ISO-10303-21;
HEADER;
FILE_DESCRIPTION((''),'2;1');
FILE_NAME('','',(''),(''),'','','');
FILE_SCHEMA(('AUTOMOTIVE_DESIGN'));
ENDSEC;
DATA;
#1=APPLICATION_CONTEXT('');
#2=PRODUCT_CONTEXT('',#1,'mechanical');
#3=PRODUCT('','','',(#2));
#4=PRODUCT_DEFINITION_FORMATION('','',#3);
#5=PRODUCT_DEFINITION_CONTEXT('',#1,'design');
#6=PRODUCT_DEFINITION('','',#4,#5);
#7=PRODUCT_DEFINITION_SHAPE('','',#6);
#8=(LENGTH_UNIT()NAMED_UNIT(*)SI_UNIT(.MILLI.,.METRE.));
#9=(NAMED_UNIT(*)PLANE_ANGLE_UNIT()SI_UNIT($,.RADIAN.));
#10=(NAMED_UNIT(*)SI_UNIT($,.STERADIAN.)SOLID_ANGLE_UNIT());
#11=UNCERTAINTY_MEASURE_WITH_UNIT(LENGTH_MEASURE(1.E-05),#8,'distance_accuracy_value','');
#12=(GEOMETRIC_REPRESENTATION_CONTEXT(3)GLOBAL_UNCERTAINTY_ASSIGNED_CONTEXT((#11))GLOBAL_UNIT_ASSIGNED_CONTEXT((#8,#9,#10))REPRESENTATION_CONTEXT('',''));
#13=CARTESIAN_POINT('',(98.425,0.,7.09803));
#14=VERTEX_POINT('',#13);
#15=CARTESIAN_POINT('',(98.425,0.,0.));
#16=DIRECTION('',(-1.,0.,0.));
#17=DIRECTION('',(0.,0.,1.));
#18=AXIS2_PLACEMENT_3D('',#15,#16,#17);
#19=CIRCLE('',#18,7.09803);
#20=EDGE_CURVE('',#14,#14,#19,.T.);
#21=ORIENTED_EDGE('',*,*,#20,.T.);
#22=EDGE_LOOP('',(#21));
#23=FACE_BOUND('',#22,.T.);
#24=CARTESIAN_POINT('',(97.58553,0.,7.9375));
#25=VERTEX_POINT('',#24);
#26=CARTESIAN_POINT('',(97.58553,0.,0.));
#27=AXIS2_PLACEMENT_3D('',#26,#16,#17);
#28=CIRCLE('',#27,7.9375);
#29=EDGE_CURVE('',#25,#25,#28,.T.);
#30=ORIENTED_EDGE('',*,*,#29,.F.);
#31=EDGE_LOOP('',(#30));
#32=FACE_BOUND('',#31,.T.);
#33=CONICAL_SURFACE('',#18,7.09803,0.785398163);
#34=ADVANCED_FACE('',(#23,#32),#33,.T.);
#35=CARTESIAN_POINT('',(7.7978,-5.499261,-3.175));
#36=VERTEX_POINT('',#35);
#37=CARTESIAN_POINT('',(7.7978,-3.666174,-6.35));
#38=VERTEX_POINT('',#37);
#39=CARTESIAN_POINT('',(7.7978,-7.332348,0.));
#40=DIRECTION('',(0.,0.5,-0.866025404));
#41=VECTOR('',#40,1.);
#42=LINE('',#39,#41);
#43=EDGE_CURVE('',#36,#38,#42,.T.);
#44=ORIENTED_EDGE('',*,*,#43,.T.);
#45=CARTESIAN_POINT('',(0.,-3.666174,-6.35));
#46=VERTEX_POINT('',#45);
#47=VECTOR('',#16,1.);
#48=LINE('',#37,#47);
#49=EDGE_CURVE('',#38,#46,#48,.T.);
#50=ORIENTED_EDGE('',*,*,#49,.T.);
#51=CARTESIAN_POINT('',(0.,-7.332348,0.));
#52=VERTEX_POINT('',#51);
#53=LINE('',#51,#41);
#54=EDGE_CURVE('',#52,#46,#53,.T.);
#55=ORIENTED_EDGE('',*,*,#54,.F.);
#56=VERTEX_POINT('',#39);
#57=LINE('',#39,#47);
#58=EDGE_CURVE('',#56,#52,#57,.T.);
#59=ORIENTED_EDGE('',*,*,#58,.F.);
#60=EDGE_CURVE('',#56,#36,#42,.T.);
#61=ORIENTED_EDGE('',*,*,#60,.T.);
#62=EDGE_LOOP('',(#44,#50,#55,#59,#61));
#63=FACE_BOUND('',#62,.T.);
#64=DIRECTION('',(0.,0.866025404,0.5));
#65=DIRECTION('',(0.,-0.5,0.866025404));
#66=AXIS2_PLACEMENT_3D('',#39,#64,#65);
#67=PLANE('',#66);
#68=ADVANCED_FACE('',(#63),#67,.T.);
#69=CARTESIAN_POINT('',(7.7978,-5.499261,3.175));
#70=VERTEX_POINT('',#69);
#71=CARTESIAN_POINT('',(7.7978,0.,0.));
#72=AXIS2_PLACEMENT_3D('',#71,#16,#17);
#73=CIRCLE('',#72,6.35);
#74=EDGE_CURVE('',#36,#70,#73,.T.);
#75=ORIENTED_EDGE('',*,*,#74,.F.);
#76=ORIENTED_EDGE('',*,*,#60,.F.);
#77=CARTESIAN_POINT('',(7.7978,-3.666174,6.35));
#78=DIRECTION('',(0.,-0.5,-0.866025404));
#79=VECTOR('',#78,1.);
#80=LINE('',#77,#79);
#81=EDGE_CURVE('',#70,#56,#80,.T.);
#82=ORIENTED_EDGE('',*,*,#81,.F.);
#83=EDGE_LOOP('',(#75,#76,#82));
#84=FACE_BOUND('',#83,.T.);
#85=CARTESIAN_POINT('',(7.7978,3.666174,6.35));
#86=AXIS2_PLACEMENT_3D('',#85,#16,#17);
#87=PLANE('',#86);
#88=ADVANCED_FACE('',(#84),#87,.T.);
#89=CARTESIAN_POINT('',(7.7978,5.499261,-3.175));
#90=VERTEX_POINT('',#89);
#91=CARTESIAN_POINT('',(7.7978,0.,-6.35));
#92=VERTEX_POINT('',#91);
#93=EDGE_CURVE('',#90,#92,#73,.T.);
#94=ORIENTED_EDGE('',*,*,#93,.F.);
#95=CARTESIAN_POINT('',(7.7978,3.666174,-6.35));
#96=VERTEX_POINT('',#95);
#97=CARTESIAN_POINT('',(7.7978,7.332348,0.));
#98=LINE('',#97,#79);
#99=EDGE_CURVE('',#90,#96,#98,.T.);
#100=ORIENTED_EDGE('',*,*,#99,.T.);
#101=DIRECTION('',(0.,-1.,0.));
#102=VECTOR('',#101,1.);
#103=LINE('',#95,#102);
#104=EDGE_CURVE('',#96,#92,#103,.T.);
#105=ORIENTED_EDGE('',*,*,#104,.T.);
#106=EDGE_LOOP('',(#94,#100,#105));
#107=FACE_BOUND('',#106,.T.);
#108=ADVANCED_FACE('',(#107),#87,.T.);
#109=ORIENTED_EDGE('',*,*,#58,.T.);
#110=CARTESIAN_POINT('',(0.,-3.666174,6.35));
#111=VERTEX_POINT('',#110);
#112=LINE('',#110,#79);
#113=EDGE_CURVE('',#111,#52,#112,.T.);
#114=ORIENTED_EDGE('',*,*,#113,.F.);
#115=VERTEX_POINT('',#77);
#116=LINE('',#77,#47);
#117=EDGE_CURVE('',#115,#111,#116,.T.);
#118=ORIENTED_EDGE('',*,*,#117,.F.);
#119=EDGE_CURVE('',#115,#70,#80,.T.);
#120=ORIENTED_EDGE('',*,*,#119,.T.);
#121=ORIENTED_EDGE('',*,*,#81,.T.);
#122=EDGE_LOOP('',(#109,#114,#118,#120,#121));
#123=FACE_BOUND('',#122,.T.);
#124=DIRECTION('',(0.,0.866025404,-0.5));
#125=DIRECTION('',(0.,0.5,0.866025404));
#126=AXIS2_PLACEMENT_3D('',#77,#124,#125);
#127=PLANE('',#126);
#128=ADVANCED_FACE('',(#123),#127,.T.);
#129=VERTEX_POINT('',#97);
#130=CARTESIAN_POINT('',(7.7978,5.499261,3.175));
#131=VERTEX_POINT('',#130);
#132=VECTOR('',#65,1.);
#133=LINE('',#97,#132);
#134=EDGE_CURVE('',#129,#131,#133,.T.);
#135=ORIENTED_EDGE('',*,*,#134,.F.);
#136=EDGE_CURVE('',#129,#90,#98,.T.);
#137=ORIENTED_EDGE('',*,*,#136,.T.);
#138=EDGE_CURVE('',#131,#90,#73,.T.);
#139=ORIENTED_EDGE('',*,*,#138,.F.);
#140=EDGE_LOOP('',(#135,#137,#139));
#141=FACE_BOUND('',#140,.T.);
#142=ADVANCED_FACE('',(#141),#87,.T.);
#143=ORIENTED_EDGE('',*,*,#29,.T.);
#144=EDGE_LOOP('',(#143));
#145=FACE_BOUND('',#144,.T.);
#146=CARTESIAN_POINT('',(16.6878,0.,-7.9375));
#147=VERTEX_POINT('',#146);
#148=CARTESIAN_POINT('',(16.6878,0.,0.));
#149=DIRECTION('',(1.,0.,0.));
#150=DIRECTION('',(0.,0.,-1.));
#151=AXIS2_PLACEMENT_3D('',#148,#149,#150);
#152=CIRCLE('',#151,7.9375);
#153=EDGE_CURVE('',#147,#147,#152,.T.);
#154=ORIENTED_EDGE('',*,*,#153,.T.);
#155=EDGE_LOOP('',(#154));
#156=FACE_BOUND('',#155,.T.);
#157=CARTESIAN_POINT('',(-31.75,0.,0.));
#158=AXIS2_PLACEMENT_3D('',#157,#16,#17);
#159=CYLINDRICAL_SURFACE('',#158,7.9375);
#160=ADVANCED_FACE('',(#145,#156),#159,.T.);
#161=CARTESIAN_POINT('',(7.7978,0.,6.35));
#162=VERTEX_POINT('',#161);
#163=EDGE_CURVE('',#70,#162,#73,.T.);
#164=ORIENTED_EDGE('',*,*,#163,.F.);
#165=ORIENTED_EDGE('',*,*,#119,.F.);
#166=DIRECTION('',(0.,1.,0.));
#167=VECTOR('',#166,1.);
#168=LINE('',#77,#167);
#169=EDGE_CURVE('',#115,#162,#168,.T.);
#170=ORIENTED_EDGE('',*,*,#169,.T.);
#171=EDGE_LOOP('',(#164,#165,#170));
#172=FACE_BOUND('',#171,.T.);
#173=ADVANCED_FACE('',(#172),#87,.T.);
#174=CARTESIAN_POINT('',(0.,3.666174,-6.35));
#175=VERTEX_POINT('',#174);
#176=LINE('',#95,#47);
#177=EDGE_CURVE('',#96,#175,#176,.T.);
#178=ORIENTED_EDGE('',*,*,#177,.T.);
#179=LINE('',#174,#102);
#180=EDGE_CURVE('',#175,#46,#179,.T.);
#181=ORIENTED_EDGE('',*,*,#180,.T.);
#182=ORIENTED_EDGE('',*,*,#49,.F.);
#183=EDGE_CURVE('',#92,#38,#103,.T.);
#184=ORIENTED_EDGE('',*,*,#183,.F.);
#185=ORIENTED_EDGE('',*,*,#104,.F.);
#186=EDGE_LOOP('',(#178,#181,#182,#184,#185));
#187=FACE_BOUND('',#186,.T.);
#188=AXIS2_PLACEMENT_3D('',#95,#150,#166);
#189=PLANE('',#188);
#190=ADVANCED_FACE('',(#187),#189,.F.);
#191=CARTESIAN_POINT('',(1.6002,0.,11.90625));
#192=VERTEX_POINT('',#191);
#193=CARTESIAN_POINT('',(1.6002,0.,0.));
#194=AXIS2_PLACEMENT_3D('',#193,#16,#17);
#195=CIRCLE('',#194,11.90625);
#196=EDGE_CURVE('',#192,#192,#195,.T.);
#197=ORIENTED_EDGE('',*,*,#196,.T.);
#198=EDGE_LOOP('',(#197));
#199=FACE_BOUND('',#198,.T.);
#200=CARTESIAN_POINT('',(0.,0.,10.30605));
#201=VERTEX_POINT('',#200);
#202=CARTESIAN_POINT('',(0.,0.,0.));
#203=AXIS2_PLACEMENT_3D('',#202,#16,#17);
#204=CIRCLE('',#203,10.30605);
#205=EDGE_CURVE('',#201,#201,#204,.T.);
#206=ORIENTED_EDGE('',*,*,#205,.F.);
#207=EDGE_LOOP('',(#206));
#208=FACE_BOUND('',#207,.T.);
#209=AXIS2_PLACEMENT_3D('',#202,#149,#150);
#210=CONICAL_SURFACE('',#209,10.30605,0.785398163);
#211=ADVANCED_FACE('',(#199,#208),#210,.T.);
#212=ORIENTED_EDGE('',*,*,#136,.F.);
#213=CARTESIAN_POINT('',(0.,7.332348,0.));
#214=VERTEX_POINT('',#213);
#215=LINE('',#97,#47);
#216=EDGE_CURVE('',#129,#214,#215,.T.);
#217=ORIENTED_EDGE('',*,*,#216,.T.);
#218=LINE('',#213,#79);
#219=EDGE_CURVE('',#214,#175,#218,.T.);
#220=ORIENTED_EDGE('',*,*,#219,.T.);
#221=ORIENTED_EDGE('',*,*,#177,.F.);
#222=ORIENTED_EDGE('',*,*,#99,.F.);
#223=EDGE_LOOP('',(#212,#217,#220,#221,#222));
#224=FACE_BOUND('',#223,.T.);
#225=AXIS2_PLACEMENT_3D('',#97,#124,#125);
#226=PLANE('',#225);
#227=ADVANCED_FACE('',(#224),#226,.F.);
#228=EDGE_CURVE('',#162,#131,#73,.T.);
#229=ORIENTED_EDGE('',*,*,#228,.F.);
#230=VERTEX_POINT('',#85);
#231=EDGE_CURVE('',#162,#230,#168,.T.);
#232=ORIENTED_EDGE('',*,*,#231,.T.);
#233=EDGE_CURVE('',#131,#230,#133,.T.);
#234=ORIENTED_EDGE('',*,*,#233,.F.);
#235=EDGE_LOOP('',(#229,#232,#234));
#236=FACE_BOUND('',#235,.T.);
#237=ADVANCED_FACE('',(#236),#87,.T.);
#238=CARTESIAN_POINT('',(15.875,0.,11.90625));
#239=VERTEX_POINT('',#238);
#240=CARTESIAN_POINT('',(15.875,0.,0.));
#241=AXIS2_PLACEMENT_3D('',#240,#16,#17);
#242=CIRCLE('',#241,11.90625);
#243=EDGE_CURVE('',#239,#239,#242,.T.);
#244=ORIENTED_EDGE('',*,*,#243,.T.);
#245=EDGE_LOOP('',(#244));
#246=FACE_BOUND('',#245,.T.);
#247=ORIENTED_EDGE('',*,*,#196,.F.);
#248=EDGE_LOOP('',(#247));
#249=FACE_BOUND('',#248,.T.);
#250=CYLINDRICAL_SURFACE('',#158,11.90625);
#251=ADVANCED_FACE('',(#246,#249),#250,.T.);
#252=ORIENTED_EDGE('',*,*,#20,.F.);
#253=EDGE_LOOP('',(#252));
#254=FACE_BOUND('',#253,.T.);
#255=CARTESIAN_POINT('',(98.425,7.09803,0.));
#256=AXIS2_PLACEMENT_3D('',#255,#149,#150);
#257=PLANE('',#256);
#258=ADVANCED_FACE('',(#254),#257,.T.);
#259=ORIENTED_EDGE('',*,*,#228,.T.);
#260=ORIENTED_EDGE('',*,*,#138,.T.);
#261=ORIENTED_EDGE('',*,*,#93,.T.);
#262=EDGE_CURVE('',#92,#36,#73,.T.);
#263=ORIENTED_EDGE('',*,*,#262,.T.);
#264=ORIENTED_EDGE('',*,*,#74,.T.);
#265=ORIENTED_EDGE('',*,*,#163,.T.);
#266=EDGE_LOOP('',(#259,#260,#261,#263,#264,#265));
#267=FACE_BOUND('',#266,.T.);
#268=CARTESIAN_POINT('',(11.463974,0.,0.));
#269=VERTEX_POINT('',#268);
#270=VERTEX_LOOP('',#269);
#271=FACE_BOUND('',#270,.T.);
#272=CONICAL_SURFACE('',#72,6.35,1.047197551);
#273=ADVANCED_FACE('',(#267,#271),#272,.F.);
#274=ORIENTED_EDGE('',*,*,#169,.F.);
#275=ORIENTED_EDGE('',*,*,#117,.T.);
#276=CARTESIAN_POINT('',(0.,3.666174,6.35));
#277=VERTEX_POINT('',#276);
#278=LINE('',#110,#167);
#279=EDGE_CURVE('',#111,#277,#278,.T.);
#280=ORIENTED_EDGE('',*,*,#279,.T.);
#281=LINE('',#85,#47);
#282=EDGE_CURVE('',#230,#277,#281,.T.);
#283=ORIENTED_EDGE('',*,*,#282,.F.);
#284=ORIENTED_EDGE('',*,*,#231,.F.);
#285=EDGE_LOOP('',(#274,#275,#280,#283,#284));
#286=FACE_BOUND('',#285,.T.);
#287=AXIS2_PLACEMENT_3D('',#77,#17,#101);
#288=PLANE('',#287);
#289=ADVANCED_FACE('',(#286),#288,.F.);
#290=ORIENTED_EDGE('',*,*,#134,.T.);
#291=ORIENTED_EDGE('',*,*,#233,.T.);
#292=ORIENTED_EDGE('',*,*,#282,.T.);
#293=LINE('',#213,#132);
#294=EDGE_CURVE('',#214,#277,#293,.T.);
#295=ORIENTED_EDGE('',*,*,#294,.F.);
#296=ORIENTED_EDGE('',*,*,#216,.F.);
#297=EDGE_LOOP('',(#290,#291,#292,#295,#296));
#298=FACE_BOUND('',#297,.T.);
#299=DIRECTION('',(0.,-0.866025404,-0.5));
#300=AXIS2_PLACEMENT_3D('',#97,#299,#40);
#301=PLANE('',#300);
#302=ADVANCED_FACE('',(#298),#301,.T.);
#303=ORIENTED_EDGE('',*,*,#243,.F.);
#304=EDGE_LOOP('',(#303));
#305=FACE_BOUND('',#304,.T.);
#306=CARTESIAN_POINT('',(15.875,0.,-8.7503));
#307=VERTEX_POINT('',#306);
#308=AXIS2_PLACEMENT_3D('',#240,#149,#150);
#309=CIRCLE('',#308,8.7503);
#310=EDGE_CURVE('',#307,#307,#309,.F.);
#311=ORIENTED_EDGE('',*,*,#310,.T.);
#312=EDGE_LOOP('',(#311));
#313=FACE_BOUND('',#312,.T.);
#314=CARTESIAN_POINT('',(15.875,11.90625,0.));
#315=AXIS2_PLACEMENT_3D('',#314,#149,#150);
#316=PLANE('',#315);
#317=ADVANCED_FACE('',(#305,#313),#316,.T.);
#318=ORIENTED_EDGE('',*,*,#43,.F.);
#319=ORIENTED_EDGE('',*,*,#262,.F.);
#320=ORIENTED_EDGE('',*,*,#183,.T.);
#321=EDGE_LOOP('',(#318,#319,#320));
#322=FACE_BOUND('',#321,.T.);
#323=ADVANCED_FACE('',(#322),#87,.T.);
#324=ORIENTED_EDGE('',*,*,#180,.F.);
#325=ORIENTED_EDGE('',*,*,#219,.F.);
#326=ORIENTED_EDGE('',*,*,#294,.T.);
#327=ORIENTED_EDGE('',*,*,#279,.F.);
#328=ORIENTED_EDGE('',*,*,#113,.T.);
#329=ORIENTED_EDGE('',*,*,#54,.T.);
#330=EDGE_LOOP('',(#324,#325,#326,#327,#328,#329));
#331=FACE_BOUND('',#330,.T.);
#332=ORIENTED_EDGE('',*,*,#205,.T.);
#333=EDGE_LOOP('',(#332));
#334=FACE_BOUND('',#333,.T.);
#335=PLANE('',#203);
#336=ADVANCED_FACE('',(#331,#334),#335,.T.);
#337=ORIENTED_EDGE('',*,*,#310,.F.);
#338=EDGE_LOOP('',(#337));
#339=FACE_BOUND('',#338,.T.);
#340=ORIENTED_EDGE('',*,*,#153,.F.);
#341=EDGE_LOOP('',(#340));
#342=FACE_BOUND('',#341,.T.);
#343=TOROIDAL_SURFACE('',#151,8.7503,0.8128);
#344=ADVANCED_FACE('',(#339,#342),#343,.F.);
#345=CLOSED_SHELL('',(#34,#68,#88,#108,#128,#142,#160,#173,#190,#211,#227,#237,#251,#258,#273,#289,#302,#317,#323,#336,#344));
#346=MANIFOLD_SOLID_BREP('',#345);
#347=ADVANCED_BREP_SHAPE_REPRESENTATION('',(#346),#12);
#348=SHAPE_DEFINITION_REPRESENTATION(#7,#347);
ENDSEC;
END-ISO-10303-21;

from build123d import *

# Parameters (mm, degrees)
FILLET1_R   = 0.8128
HEX_2_DEPTH = 7.7978


with BuildPart() as part:
    # BodySke → Base-Revolve (revolve)
    with BuildSketch(Plane.XY, mode=Mode.PRIVATE) as base_revolve_sk:
        Polygon((0, 0), (0, 10.30605), (1.6002, 11.90625), (15.875, 11.90625), (15.875, 7.9375), (97.58553, 7.9375), (98.425, 7.09803), (98.425, 0), align=None)
    revolve(base_revolve_sk.sketch.rotate(Axis((-31.75, 0, 0), (1, 0, 0)), 90), axis=Axis((-31.75, 0, 0), (1, 0, 0)))

    # Fillet1
    fillet1_edges = [part.edges().sort_by_distance(p)[0] for p in [
        (15.875, 0, -7.9375),
    ]]
    fillet(fillet1_edges, radius=FILLET1_R)

    # Sketch2 → Hex-PreBroach (revolve, cut)
    with BuildSketch(Plane.XY, mode=Mode.PRIVATE) as hex_prebroach_sk:
        Polygon((0, 6.35), (7.7978, 6.35), (11.463974209, 0), (0, 0), align=None)
    revolve(hex_prebroach_sk.sketch.rotate(Axis((0, 0, 0), (1, 0, 0)), 90), axis=Axis((0, 0, 0), (1, 0, 0)), mode=Mode.SUBTRACT)

    # Sketch3 → Hex 2 (cut)
    with BuildSketch(Plane(origin=(0, 0, 0), x_dir=(0, 0.500000000000001, 0.866025403784438), z_dir=(-1, 0, 0))):
        Polygon((3.666174209, 6.35), (-3.666174209, 6.35), (-7.332348419, 0), (-3.666174209, -6.35), (3.666174209, -6.35), (7.332348419, 0), align=None)
    extrude(amount=-HEX_2_DEPTH, mode=Mode.SUBTRACT)


solid = part.part
